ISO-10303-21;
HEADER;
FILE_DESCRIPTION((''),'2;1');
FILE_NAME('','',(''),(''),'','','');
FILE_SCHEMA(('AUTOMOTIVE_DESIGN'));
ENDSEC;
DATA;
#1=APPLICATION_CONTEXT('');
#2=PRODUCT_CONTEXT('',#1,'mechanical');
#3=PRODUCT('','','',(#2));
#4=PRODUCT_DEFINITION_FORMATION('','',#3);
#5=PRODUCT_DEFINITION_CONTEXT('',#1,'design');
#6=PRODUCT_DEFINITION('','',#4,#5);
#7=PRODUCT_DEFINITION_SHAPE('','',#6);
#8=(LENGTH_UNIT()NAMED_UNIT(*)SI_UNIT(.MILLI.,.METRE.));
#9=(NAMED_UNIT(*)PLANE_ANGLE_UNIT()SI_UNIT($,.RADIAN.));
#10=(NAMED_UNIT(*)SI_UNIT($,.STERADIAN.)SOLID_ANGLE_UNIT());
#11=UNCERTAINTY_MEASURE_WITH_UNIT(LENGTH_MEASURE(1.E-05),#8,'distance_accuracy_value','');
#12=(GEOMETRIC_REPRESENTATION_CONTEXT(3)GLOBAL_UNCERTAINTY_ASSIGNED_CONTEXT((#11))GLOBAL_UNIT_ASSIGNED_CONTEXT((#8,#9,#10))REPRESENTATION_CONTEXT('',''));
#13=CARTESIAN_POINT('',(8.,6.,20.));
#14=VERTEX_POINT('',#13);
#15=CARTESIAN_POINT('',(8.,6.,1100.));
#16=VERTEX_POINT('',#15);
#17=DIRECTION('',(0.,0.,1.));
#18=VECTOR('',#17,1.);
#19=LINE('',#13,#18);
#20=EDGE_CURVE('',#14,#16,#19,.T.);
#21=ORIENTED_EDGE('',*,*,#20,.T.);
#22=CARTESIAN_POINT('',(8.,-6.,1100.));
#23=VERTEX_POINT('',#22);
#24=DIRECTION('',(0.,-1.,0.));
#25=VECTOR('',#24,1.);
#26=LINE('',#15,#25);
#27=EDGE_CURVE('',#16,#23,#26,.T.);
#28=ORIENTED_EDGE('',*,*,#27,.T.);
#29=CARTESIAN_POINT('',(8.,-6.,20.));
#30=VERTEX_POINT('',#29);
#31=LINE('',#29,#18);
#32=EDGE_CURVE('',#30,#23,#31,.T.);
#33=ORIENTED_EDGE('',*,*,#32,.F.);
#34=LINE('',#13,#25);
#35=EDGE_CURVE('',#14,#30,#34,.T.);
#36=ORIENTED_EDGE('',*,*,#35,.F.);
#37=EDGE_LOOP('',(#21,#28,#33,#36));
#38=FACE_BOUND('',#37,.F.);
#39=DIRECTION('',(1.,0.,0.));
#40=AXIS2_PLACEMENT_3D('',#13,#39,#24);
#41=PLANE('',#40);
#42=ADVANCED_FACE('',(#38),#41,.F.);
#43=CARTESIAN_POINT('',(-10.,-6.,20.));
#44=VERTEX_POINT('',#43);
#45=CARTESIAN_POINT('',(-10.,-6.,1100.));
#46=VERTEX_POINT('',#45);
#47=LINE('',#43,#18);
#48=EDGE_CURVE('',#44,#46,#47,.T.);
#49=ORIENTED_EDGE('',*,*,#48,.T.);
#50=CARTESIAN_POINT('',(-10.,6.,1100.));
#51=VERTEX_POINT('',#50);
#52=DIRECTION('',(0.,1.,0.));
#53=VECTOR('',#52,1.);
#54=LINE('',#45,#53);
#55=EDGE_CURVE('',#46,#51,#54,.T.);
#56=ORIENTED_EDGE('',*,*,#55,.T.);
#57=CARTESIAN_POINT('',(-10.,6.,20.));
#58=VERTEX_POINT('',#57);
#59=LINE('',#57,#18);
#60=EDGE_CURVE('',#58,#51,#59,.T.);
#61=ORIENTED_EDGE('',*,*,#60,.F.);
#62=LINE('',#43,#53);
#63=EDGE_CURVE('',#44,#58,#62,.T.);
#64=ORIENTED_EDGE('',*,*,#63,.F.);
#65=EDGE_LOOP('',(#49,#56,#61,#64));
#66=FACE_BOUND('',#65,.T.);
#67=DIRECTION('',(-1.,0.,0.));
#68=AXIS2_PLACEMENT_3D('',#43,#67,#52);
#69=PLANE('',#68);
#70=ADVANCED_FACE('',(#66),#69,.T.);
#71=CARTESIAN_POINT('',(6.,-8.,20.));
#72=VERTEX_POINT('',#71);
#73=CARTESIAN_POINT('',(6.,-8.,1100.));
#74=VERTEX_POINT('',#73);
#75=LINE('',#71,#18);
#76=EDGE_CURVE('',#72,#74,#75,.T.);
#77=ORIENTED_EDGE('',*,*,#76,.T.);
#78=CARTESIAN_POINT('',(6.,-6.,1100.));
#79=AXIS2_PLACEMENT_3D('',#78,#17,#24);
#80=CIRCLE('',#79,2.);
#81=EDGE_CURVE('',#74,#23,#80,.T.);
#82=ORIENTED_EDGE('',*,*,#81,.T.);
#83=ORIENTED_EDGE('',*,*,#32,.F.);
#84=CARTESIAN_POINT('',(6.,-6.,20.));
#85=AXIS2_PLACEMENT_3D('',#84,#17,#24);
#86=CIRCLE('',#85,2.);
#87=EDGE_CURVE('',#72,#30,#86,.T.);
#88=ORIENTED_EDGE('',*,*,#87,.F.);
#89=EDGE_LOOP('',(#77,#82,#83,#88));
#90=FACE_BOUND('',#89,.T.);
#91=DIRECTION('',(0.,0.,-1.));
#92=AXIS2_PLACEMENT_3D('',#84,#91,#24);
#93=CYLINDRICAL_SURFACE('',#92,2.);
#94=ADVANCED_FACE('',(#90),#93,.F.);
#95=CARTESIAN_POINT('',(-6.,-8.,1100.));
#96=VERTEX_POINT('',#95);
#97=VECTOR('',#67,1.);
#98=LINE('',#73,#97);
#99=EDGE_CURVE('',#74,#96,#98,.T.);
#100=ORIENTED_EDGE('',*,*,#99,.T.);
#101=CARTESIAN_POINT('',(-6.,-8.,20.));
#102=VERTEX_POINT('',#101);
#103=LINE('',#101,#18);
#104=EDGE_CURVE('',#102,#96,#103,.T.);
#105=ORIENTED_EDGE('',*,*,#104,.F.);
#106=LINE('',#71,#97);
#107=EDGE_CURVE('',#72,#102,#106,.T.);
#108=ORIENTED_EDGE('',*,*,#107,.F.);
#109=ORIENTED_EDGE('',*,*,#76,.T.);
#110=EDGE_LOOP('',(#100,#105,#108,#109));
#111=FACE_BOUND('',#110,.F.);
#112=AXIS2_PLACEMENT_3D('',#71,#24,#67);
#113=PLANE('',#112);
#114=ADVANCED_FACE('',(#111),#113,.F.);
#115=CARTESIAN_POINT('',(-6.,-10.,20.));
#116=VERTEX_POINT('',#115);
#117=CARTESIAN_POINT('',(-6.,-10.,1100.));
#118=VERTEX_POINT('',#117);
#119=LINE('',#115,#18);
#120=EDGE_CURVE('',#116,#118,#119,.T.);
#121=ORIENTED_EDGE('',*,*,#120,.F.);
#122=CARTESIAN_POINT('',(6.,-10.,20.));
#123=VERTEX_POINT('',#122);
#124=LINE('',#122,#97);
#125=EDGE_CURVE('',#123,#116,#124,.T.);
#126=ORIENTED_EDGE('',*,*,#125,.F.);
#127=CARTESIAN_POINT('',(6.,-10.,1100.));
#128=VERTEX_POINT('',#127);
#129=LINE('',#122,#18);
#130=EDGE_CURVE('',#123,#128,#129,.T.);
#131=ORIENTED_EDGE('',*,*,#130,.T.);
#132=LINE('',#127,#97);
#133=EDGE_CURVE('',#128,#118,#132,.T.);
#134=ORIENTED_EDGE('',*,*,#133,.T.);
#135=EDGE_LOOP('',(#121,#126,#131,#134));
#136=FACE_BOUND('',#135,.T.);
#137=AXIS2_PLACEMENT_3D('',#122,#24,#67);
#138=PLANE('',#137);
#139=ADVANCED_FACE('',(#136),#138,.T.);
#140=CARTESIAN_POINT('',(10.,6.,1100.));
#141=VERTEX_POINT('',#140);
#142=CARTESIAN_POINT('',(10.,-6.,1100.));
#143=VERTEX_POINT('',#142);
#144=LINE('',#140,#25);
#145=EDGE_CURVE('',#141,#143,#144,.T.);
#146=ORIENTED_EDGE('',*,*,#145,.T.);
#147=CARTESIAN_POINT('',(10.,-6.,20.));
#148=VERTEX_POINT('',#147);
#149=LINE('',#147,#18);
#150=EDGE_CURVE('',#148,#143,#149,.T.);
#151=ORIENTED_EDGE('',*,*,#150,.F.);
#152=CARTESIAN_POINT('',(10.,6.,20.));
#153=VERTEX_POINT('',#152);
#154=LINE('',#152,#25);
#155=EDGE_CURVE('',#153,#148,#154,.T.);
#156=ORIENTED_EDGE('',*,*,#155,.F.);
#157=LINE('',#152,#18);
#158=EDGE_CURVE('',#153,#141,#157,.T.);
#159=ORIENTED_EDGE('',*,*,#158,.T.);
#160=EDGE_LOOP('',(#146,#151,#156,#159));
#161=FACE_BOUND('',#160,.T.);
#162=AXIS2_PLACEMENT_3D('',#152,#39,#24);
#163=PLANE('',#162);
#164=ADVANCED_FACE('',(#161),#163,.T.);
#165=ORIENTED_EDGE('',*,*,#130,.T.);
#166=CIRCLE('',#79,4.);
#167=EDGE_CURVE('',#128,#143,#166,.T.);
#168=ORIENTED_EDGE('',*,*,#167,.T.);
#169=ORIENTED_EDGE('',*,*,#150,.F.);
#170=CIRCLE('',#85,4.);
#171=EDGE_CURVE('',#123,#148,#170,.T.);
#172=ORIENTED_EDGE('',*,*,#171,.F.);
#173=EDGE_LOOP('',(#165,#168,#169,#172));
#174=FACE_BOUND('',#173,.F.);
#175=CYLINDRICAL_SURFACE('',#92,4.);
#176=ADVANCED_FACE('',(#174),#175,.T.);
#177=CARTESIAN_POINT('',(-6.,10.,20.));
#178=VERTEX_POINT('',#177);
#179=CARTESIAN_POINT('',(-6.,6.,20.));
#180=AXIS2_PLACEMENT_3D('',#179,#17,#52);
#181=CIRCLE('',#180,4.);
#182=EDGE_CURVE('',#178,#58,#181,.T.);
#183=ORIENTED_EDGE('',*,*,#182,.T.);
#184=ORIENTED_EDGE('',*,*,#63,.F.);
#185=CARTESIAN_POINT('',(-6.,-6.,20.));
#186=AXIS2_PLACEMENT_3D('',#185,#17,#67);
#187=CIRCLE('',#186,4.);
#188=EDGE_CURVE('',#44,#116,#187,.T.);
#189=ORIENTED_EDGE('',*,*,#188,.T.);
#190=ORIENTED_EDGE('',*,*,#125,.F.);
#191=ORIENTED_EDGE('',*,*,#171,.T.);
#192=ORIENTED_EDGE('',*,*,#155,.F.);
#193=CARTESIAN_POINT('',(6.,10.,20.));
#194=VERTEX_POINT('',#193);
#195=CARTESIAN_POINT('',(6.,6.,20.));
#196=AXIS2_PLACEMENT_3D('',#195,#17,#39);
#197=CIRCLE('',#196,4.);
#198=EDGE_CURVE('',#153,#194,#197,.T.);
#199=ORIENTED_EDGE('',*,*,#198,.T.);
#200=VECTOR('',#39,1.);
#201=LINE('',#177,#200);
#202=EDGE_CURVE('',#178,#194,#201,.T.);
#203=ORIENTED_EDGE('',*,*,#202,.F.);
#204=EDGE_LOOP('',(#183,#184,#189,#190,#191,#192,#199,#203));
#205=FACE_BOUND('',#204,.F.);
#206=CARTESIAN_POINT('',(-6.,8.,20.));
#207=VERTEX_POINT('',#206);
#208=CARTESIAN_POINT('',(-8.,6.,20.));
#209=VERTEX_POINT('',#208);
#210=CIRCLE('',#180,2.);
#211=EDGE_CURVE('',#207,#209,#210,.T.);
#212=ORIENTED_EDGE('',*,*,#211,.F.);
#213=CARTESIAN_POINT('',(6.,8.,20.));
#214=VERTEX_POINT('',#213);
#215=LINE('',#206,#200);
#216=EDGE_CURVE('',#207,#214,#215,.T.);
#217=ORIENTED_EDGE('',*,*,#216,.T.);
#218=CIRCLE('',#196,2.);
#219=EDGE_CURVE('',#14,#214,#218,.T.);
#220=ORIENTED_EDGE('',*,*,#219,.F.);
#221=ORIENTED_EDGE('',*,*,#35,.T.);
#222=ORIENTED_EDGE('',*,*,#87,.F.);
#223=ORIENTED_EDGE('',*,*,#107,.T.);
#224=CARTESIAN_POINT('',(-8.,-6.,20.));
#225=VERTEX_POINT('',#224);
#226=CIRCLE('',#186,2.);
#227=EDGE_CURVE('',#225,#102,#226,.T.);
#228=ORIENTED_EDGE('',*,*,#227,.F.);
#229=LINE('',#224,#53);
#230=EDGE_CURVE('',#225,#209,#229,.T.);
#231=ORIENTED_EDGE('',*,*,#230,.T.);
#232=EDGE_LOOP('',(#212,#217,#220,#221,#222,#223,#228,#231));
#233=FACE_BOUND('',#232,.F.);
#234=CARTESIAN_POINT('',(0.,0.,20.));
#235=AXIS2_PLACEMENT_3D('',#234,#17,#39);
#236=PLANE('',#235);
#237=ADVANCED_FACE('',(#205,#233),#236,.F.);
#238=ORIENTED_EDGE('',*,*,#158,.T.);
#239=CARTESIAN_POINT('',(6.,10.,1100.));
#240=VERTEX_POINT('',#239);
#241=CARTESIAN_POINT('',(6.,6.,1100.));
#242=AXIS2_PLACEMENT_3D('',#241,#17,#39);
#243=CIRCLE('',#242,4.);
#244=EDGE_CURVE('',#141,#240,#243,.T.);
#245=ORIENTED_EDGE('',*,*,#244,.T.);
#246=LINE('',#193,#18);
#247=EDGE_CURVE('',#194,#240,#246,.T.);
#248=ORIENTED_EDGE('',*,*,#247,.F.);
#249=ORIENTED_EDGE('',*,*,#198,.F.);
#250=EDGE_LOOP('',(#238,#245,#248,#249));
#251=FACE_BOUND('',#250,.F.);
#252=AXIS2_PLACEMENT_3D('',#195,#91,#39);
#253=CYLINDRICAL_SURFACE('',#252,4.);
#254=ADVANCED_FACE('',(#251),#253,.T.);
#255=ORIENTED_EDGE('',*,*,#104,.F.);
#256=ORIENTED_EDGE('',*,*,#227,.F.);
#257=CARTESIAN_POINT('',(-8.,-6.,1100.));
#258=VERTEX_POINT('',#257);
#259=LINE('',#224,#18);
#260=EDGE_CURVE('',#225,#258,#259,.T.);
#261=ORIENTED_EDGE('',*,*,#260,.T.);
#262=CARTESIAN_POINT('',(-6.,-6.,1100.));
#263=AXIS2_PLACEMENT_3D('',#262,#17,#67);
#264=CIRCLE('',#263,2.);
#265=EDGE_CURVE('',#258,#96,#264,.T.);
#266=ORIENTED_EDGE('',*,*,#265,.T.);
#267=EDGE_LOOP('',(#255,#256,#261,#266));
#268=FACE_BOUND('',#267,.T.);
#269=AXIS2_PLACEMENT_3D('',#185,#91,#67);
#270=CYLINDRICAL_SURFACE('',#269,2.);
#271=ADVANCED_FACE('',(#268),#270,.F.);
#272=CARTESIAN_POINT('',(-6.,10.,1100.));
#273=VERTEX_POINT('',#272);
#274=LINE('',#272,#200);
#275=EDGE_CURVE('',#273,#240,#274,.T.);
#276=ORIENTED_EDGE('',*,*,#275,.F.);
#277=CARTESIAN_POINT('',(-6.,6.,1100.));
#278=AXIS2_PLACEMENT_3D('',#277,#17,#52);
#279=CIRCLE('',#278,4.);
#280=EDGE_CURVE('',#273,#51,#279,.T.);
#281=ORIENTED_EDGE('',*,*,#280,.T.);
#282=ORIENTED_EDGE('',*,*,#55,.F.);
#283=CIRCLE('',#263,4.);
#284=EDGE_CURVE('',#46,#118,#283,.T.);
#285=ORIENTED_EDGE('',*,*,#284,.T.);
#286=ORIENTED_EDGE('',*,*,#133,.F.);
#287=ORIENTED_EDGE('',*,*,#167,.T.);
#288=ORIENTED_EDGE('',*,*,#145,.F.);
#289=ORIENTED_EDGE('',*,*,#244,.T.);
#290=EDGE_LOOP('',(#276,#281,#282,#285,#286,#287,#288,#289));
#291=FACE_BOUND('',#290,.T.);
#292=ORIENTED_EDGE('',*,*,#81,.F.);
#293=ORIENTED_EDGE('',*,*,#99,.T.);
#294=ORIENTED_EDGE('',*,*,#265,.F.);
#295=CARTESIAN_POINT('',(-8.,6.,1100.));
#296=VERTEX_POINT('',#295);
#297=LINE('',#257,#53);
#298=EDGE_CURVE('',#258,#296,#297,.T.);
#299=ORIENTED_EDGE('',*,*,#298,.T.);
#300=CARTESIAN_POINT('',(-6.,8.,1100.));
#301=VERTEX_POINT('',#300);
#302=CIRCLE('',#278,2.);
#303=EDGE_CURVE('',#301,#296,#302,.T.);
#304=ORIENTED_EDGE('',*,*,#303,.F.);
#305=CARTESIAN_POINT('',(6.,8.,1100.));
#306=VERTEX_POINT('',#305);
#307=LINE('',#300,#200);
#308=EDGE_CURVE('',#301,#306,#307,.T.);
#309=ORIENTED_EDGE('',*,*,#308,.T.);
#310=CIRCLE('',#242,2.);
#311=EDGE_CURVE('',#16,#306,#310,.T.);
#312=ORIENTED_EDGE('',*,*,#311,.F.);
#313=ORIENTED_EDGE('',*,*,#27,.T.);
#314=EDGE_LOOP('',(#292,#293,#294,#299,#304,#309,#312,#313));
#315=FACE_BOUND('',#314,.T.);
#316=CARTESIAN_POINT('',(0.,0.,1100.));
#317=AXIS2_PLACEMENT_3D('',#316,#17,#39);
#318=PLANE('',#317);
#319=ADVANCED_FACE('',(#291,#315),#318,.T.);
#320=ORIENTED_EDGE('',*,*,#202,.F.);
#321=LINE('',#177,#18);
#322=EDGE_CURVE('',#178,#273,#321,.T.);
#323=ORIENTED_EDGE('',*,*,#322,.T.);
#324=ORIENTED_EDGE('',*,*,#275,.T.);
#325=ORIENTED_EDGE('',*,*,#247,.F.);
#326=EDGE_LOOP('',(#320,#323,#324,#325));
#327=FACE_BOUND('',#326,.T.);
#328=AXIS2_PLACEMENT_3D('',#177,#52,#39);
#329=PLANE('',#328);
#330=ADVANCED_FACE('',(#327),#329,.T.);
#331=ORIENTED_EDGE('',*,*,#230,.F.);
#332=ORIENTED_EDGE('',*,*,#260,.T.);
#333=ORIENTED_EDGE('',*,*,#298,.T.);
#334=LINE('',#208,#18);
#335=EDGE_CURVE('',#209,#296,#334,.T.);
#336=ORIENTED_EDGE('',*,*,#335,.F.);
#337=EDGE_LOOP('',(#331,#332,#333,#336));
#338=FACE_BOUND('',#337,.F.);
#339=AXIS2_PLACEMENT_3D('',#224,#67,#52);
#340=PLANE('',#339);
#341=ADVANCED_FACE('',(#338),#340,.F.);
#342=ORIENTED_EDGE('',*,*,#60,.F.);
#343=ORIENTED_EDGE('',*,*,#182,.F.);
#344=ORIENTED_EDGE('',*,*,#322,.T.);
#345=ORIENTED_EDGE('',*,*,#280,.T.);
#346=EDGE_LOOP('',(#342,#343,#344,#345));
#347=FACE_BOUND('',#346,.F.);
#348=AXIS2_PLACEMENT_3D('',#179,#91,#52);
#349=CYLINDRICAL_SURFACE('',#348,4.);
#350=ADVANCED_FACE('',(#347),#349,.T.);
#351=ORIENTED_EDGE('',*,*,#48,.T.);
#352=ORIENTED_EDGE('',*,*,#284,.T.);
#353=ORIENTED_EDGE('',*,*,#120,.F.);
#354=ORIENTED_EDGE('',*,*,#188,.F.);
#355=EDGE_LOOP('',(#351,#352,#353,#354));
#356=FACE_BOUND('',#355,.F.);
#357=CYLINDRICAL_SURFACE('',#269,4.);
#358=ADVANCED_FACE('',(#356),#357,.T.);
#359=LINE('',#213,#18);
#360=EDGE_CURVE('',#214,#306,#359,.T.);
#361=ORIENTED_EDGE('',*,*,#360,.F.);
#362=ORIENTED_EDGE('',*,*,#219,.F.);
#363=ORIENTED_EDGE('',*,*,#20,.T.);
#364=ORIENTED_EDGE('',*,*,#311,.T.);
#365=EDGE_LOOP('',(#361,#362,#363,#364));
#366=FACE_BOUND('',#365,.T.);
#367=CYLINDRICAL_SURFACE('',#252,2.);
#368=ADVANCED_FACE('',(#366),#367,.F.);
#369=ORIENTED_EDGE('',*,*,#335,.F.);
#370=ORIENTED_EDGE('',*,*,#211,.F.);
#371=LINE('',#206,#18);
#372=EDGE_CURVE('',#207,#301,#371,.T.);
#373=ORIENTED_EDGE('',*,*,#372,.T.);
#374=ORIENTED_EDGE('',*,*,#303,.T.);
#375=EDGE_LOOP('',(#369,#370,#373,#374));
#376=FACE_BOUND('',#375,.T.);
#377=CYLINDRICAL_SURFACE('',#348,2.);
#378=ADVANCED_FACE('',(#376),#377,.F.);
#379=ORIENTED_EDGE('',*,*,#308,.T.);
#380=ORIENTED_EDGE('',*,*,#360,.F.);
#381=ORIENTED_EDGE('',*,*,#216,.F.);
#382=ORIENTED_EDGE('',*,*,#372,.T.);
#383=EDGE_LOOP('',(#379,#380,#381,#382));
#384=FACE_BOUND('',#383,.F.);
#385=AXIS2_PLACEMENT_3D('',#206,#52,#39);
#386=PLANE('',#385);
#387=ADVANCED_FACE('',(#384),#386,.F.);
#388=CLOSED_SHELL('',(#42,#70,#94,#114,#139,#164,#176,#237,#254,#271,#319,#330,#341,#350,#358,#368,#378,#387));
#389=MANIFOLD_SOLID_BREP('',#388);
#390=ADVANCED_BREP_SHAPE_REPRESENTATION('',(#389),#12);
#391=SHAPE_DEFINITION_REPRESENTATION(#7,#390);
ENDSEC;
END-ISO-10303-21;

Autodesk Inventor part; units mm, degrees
ref_plane "Start plane" through (0, 0, 20) normal (0, 0, 1) x (1, 0, 0)
ref_plane "End plane" through (0, 0, 1100) normal (0, 0, 1) x (1, 0, 0)
sketch "Sketch" plane through (0, 0, 0) normal (0, 0, 1) x (1, 0, 0)
  line L0 (-10, -6) -> (-10, 6)
  line L1 (-6, 10) -> (6, 10)
  line L2 (10, 6) -> (10, -6)
  line L3 (6, -10) -> (-6, -10)
  arc A0 (-10, -6) -> (-6, -10) centre (-6, -6) ccw
  arc A1 (10, 6) -> (6, 10) centre (6, 6) ccw
  arc A2 (-6, 10) -> (-10, 6) centre (-6, 6) ccw
  arc A3 (6, -10) -> (10, -6) centre (6, -6) ccw
  arc A4 (-6, 8) -> (-8, 6) centre (-6, 6) ccw
  line L4 (-6, 8) -> (6, 8)
  arc A5 (8, 6) -> (6, 8) centre (6, 6) ccw
  line L5 (8, 6) -> (8, -6)
  arc A6 (6, -8) -> (8, -6) centre (6, -6) ccw
  line L6 (6, -8) -> (-6, -8)
  arc A7 (-8, -6) -> (-6, -8) centre (-6, -6) ccw
  line L7 (-8, -6) -> (-8, 6)
  line L8 (0, 15.1598) -> (0, -15.1598) construction
  line L9 (-15.1598, 0) -> (15.1598, 0) construction
  dimension "d7" = 4
  dimension "d9" = 20
  dimension "d11" = 20
  dimension "d12" = 2
  dimension "d15" = 10
  dimension "d16" = 10
extrude "Body" add sketch "Sketch" along normal up to surface (1080 mm away) from surface at 20
sketch "Sketch3" plane through (0, 0, 0) normal (0, 0, 1) x (1, 0, 0)
  line L0 (0, 0) -> (10, 0)
ref_plane "Work Plane3" through (0, 0, 0) normal (0, -1, 0) x (1, 0, 0)
sketch "Sketch4" plane through (0, 0, 0) normal (0, -1, 0) x (1, 0, 0)
  line L0 (-2, 20) -> (12, 20)
  line L1 (-2, 1100) -> (12, 1100)
  dimension "d18" = 1080
ref_plane "Work Plane4" through (0, -790, 20) normal (0, 0, -1) x (-1, 0, 0)
split "Split1" plane through (0, -790, 20) removes the side toward (0, 0, -1)
equation "\"d7\" = G_IR"
equation "\"d9\" = G_W"
equation "\"d11\" = G_H"
equation "\"d12\" = G_T"
equation "\"d15\" = 0.5 * d9"
equation "\"d16\" = 0.5 * d11"
equation "\"d3\" = G_L"
equation "\"G_W\" = 20"
equation "\"G_H\" = 20"
equation "\"G_T\" = 2"
equation "\"G_IR\" = 4"
equation "\"G_L\" = d18"
equation "\"G_OFFSET_END\" = 0"
properties part number "ISO 4019 - 20x20x2 - 1080" material "Steel, Mild"
